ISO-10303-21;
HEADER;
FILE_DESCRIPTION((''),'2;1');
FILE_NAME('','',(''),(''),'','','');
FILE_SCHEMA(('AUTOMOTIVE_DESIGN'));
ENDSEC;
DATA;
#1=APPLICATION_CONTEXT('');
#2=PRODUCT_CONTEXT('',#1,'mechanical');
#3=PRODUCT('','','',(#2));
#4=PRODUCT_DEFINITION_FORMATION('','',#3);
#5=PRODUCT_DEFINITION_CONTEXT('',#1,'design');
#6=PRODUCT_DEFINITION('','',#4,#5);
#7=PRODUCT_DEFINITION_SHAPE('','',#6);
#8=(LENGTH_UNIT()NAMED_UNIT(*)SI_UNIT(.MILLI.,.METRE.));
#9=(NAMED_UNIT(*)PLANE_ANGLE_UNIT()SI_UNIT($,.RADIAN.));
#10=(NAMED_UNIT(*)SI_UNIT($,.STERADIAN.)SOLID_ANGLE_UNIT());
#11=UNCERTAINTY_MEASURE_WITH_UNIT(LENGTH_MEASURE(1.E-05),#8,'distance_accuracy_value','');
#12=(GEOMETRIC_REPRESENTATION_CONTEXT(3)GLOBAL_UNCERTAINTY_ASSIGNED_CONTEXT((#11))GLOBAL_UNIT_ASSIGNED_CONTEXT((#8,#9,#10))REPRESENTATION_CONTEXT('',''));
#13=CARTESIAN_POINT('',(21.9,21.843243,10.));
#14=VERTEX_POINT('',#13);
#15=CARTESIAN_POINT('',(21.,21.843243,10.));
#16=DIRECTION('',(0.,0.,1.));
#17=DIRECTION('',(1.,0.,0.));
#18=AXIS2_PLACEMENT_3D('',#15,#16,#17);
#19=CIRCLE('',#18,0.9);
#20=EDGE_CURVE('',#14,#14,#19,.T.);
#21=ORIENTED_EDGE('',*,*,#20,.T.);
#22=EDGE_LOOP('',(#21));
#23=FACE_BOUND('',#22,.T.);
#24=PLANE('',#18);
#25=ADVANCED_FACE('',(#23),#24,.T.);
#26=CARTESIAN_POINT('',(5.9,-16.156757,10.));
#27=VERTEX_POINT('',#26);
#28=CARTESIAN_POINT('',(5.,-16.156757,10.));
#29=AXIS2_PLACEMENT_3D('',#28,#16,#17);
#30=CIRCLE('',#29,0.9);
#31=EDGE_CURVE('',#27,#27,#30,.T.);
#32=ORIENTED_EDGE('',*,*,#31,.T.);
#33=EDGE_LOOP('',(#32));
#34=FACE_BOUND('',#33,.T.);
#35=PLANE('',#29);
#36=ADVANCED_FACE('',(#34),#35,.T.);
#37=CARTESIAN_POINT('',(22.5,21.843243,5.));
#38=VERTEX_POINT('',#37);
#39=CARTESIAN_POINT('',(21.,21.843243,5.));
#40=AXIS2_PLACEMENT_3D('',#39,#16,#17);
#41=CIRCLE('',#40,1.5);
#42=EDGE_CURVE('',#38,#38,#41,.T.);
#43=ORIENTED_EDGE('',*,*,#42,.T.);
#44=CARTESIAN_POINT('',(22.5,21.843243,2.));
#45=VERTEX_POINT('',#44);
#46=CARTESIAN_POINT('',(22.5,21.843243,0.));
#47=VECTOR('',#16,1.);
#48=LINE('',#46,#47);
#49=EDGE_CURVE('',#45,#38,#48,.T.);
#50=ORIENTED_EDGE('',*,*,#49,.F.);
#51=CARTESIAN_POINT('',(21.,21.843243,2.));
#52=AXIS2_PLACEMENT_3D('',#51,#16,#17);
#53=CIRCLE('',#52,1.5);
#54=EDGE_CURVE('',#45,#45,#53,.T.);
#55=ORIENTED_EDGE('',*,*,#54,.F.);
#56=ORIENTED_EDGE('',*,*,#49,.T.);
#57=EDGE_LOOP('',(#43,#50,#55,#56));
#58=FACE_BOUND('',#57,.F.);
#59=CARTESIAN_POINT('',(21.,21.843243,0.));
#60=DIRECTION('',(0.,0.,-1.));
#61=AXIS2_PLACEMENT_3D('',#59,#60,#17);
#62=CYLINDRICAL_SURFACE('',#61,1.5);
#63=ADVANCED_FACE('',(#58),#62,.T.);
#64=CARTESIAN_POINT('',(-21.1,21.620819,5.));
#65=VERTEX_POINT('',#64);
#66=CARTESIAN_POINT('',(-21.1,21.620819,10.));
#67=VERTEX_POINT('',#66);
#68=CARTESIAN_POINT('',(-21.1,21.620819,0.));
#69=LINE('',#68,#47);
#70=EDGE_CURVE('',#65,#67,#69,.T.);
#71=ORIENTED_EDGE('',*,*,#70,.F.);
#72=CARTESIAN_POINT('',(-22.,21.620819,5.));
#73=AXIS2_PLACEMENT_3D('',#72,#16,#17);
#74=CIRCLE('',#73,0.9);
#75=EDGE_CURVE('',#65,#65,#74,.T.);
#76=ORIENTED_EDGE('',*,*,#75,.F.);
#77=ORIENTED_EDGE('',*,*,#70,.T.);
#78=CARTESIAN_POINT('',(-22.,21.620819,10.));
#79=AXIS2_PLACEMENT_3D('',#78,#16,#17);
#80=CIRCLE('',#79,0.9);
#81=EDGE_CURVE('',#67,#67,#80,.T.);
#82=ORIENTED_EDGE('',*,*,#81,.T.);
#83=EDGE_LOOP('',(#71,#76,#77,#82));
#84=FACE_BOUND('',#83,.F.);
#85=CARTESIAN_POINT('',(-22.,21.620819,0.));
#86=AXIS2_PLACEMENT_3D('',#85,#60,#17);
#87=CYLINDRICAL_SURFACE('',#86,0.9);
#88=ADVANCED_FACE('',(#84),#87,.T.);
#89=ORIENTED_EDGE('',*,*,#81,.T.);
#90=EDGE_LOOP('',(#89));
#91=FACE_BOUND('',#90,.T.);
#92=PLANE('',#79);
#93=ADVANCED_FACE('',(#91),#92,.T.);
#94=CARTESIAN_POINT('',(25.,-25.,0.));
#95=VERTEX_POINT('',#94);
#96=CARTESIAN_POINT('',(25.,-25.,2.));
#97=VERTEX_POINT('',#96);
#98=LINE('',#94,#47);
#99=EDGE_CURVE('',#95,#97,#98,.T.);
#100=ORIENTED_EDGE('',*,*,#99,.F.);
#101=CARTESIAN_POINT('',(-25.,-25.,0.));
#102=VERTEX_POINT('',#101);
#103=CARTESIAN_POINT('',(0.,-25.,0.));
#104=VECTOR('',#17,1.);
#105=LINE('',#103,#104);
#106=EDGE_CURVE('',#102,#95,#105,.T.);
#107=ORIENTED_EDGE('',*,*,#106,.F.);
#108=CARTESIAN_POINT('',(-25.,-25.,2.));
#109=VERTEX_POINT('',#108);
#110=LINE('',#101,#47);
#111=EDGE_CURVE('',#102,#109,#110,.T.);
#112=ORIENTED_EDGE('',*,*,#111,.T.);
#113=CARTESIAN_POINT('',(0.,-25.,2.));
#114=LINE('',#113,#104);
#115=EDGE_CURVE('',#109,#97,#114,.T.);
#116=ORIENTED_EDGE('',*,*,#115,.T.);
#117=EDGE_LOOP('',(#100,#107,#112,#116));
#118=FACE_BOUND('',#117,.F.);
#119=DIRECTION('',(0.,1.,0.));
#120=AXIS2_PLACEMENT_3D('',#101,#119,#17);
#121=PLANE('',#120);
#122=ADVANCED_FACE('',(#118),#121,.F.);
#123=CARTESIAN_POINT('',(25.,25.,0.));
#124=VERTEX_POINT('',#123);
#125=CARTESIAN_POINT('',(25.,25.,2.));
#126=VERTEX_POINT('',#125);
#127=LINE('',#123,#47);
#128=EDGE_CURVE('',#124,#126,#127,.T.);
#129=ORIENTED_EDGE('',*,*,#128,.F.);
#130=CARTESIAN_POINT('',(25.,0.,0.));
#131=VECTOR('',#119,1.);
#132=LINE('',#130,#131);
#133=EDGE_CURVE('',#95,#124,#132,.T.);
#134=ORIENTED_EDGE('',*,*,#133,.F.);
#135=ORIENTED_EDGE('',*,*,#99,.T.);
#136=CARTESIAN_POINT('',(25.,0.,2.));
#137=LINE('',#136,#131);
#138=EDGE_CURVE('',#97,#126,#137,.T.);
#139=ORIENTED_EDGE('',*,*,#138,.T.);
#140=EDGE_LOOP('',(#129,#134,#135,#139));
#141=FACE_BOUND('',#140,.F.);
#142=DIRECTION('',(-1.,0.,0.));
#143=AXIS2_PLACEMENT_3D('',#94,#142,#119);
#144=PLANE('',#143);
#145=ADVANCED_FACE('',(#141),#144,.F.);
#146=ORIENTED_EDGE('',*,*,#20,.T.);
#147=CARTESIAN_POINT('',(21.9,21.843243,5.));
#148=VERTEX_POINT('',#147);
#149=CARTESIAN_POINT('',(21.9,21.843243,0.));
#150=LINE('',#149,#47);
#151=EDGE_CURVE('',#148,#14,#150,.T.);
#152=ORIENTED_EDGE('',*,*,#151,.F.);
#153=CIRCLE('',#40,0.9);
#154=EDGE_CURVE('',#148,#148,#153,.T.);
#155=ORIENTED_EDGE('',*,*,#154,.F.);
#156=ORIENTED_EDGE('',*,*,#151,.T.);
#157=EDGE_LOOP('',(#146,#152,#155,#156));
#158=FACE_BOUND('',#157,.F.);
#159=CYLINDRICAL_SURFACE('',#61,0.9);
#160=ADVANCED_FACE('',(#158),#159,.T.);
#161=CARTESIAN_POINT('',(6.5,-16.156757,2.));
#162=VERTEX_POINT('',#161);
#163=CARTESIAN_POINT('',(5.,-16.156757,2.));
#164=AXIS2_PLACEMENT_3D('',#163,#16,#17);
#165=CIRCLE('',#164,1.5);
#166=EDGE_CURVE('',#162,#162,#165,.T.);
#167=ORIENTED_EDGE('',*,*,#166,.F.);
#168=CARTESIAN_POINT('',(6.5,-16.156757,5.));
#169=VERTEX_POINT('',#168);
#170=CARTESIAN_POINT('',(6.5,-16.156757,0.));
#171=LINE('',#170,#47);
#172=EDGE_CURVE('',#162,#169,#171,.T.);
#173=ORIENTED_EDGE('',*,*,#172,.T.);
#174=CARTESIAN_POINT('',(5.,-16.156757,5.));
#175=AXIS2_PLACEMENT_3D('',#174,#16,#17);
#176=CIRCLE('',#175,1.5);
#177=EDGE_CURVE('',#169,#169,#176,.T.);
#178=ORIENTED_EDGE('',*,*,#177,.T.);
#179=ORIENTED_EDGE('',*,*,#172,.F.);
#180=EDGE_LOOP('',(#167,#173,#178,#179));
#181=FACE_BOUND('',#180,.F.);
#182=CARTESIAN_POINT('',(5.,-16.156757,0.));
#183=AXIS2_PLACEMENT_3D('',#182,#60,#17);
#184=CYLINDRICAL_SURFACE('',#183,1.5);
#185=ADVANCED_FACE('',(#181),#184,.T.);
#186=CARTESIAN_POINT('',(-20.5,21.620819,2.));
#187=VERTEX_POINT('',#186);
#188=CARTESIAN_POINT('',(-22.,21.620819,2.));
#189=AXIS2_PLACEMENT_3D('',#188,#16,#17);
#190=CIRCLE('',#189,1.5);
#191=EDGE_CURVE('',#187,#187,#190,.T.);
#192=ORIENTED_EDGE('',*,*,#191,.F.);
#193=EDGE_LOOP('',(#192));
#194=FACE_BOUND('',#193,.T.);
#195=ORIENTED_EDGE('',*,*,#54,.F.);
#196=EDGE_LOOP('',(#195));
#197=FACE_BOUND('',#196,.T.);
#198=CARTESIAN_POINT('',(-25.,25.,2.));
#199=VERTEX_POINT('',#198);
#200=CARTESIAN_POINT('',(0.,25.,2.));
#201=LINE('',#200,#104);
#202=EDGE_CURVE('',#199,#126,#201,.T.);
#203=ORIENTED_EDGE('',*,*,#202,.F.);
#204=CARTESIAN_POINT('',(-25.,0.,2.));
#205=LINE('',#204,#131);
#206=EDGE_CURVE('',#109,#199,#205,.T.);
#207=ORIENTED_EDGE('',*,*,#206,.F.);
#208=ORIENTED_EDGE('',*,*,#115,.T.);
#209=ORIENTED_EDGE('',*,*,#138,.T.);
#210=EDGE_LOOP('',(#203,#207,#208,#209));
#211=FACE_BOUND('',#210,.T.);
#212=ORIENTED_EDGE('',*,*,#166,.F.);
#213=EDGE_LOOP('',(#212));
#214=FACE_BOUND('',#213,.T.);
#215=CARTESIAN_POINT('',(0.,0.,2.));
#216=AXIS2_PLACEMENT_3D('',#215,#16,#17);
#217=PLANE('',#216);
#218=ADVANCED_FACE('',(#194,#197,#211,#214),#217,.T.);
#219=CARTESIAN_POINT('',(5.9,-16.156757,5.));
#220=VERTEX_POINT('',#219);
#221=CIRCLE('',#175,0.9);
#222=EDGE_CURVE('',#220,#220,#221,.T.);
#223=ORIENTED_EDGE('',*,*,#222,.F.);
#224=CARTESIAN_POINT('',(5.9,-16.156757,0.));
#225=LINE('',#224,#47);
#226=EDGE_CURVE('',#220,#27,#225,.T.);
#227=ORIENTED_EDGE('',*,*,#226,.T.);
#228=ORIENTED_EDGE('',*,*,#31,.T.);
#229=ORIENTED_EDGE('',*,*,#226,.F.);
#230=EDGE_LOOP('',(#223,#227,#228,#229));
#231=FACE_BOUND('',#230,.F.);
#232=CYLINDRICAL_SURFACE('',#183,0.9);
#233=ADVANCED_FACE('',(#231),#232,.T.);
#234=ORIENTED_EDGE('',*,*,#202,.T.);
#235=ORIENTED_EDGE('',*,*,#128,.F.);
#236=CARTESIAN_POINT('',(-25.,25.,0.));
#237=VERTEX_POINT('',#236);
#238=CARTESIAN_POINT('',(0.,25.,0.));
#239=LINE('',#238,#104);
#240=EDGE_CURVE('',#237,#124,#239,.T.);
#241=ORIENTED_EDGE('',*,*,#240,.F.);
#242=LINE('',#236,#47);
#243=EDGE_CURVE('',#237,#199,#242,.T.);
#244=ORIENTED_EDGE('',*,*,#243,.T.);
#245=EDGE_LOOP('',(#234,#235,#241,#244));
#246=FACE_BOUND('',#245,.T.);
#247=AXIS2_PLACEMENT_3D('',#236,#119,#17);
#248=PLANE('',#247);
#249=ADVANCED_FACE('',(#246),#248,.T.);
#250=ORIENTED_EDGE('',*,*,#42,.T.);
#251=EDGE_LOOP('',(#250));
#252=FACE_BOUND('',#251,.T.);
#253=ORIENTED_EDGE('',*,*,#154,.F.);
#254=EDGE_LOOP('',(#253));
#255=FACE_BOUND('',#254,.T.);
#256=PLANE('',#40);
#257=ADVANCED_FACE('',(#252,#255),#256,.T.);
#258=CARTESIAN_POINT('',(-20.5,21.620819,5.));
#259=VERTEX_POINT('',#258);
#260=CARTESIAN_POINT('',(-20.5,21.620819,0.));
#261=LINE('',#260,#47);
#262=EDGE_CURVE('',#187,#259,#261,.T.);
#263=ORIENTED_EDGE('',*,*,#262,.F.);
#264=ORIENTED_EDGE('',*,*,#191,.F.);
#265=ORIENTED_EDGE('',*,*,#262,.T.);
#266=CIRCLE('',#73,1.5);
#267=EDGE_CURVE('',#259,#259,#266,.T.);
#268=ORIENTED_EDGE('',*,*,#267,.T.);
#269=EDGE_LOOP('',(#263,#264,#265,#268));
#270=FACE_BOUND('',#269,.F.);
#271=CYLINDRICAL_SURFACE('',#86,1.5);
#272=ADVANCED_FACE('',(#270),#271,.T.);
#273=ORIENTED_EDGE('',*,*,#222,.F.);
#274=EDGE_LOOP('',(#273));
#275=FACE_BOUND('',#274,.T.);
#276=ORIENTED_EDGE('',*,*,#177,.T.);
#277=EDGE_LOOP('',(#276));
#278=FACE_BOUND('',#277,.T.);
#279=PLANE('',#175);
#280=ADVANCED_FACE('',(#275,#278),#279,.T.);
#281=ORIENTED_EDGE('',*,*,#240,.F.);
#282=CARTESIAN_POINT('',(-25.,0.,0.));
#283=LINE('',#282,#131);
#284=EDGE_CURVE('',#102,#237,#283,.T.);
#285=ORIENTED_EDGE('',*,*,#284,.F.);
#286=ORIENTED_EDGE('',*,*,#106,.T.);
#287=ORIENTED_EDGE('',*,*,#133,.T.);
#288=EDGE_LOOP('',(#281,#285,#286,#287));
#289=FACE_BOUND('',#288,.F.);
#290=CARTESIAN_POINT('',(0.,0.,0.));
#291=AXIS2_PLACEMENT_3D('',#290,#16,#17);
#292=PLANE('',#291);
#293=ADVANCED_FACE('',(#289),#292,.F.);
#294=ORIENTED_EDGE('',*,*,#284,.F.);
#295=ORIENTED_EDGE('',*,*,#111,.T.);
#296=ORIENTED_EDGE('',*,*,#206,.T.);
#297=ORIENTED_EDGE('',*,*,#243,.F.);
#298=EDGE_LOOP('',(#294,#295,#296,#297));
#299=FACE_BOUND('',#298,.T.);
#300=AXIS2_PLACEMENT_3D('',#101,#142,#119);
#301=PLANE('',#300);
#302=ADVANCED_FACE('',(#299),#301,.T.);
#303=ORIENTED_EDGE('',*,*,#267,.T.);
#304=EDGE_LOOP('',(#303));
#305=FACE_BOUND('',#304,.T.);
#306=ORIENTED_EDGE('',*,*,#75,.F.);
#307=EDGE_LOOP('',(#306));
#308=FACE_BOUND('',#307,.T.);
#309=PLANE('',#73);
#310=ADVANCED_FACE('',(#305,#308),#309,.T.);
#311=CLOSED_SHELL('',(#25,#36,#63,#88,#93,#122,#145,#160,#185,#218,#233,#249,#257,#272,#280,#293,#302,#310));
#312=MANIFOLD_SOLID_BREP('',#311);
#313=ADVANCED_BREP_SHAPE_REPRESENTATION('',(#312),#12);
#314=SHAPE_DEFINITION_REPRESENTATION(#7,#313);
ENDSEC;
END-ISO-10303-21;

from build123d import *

# Parameters (mm, degrees)
F0_W     = 50
F0_H     = 50
F0_R     = 1.5
F1_DEPTH = 2
F0_R_2   = 0.9
F2_DEPTH = 5
F3_DEPTH = 10


with BuildPart() as f1:
    # F0 (on Top) → F1 (new body)
    with BuildSketch(Plane.XY):
        Rectangle(F0_W, F0_H)
        with Locations((5, -16.156757)):
            Circle(F0_R, mode=Mode.SUBTRACT)
        with Locations((-22, 21.620819)):
            Circle(F0_R, mode=Mode.SUBTRACT)
        with Locations((21, 21.843243)):
            Circle(F0_R, mode=Mode.SUBTRACT)
    extrude(amount=F1_DEPTH)

    # F0 (on Top) → F2 (join)
    with BuildSketch(Plane.XY):
        with Locations((-22, 21.620819)):
            Circle(F0_R)
        with Locations((-22, 21.620819)):
            Circle(F0_R_2, mode=Mode.SUBTRACT)
        with Locations((21, 21.843243)):
            Circle(F0_R)
        with Locations((21, 21.843243)):
            Circle(F0_R_2, mode=Mode.SUBTRACT)
        with Locations((5, -16.156757)):
            Circle(F0_R)
        with Locations((5, -16.156757)):
            Circle(F0_R_2, mode=Mode.SUBTRACT)
    extrude(amount=F2_DEPTH)

    # F0 (on Top) → F3 (join)
    with BuildSketch(Plane.XY):
        with Locations((-22, 21.620819)):
            Circle(F0_R_2)
        with Locations((21, 21.843243)):
            Circle(F0_R_2)
        with Locations((5, -16.156757)):
            Circle(F0_R_2)
    extrude(amount=F3_DEPTH)


solid = f1.part
